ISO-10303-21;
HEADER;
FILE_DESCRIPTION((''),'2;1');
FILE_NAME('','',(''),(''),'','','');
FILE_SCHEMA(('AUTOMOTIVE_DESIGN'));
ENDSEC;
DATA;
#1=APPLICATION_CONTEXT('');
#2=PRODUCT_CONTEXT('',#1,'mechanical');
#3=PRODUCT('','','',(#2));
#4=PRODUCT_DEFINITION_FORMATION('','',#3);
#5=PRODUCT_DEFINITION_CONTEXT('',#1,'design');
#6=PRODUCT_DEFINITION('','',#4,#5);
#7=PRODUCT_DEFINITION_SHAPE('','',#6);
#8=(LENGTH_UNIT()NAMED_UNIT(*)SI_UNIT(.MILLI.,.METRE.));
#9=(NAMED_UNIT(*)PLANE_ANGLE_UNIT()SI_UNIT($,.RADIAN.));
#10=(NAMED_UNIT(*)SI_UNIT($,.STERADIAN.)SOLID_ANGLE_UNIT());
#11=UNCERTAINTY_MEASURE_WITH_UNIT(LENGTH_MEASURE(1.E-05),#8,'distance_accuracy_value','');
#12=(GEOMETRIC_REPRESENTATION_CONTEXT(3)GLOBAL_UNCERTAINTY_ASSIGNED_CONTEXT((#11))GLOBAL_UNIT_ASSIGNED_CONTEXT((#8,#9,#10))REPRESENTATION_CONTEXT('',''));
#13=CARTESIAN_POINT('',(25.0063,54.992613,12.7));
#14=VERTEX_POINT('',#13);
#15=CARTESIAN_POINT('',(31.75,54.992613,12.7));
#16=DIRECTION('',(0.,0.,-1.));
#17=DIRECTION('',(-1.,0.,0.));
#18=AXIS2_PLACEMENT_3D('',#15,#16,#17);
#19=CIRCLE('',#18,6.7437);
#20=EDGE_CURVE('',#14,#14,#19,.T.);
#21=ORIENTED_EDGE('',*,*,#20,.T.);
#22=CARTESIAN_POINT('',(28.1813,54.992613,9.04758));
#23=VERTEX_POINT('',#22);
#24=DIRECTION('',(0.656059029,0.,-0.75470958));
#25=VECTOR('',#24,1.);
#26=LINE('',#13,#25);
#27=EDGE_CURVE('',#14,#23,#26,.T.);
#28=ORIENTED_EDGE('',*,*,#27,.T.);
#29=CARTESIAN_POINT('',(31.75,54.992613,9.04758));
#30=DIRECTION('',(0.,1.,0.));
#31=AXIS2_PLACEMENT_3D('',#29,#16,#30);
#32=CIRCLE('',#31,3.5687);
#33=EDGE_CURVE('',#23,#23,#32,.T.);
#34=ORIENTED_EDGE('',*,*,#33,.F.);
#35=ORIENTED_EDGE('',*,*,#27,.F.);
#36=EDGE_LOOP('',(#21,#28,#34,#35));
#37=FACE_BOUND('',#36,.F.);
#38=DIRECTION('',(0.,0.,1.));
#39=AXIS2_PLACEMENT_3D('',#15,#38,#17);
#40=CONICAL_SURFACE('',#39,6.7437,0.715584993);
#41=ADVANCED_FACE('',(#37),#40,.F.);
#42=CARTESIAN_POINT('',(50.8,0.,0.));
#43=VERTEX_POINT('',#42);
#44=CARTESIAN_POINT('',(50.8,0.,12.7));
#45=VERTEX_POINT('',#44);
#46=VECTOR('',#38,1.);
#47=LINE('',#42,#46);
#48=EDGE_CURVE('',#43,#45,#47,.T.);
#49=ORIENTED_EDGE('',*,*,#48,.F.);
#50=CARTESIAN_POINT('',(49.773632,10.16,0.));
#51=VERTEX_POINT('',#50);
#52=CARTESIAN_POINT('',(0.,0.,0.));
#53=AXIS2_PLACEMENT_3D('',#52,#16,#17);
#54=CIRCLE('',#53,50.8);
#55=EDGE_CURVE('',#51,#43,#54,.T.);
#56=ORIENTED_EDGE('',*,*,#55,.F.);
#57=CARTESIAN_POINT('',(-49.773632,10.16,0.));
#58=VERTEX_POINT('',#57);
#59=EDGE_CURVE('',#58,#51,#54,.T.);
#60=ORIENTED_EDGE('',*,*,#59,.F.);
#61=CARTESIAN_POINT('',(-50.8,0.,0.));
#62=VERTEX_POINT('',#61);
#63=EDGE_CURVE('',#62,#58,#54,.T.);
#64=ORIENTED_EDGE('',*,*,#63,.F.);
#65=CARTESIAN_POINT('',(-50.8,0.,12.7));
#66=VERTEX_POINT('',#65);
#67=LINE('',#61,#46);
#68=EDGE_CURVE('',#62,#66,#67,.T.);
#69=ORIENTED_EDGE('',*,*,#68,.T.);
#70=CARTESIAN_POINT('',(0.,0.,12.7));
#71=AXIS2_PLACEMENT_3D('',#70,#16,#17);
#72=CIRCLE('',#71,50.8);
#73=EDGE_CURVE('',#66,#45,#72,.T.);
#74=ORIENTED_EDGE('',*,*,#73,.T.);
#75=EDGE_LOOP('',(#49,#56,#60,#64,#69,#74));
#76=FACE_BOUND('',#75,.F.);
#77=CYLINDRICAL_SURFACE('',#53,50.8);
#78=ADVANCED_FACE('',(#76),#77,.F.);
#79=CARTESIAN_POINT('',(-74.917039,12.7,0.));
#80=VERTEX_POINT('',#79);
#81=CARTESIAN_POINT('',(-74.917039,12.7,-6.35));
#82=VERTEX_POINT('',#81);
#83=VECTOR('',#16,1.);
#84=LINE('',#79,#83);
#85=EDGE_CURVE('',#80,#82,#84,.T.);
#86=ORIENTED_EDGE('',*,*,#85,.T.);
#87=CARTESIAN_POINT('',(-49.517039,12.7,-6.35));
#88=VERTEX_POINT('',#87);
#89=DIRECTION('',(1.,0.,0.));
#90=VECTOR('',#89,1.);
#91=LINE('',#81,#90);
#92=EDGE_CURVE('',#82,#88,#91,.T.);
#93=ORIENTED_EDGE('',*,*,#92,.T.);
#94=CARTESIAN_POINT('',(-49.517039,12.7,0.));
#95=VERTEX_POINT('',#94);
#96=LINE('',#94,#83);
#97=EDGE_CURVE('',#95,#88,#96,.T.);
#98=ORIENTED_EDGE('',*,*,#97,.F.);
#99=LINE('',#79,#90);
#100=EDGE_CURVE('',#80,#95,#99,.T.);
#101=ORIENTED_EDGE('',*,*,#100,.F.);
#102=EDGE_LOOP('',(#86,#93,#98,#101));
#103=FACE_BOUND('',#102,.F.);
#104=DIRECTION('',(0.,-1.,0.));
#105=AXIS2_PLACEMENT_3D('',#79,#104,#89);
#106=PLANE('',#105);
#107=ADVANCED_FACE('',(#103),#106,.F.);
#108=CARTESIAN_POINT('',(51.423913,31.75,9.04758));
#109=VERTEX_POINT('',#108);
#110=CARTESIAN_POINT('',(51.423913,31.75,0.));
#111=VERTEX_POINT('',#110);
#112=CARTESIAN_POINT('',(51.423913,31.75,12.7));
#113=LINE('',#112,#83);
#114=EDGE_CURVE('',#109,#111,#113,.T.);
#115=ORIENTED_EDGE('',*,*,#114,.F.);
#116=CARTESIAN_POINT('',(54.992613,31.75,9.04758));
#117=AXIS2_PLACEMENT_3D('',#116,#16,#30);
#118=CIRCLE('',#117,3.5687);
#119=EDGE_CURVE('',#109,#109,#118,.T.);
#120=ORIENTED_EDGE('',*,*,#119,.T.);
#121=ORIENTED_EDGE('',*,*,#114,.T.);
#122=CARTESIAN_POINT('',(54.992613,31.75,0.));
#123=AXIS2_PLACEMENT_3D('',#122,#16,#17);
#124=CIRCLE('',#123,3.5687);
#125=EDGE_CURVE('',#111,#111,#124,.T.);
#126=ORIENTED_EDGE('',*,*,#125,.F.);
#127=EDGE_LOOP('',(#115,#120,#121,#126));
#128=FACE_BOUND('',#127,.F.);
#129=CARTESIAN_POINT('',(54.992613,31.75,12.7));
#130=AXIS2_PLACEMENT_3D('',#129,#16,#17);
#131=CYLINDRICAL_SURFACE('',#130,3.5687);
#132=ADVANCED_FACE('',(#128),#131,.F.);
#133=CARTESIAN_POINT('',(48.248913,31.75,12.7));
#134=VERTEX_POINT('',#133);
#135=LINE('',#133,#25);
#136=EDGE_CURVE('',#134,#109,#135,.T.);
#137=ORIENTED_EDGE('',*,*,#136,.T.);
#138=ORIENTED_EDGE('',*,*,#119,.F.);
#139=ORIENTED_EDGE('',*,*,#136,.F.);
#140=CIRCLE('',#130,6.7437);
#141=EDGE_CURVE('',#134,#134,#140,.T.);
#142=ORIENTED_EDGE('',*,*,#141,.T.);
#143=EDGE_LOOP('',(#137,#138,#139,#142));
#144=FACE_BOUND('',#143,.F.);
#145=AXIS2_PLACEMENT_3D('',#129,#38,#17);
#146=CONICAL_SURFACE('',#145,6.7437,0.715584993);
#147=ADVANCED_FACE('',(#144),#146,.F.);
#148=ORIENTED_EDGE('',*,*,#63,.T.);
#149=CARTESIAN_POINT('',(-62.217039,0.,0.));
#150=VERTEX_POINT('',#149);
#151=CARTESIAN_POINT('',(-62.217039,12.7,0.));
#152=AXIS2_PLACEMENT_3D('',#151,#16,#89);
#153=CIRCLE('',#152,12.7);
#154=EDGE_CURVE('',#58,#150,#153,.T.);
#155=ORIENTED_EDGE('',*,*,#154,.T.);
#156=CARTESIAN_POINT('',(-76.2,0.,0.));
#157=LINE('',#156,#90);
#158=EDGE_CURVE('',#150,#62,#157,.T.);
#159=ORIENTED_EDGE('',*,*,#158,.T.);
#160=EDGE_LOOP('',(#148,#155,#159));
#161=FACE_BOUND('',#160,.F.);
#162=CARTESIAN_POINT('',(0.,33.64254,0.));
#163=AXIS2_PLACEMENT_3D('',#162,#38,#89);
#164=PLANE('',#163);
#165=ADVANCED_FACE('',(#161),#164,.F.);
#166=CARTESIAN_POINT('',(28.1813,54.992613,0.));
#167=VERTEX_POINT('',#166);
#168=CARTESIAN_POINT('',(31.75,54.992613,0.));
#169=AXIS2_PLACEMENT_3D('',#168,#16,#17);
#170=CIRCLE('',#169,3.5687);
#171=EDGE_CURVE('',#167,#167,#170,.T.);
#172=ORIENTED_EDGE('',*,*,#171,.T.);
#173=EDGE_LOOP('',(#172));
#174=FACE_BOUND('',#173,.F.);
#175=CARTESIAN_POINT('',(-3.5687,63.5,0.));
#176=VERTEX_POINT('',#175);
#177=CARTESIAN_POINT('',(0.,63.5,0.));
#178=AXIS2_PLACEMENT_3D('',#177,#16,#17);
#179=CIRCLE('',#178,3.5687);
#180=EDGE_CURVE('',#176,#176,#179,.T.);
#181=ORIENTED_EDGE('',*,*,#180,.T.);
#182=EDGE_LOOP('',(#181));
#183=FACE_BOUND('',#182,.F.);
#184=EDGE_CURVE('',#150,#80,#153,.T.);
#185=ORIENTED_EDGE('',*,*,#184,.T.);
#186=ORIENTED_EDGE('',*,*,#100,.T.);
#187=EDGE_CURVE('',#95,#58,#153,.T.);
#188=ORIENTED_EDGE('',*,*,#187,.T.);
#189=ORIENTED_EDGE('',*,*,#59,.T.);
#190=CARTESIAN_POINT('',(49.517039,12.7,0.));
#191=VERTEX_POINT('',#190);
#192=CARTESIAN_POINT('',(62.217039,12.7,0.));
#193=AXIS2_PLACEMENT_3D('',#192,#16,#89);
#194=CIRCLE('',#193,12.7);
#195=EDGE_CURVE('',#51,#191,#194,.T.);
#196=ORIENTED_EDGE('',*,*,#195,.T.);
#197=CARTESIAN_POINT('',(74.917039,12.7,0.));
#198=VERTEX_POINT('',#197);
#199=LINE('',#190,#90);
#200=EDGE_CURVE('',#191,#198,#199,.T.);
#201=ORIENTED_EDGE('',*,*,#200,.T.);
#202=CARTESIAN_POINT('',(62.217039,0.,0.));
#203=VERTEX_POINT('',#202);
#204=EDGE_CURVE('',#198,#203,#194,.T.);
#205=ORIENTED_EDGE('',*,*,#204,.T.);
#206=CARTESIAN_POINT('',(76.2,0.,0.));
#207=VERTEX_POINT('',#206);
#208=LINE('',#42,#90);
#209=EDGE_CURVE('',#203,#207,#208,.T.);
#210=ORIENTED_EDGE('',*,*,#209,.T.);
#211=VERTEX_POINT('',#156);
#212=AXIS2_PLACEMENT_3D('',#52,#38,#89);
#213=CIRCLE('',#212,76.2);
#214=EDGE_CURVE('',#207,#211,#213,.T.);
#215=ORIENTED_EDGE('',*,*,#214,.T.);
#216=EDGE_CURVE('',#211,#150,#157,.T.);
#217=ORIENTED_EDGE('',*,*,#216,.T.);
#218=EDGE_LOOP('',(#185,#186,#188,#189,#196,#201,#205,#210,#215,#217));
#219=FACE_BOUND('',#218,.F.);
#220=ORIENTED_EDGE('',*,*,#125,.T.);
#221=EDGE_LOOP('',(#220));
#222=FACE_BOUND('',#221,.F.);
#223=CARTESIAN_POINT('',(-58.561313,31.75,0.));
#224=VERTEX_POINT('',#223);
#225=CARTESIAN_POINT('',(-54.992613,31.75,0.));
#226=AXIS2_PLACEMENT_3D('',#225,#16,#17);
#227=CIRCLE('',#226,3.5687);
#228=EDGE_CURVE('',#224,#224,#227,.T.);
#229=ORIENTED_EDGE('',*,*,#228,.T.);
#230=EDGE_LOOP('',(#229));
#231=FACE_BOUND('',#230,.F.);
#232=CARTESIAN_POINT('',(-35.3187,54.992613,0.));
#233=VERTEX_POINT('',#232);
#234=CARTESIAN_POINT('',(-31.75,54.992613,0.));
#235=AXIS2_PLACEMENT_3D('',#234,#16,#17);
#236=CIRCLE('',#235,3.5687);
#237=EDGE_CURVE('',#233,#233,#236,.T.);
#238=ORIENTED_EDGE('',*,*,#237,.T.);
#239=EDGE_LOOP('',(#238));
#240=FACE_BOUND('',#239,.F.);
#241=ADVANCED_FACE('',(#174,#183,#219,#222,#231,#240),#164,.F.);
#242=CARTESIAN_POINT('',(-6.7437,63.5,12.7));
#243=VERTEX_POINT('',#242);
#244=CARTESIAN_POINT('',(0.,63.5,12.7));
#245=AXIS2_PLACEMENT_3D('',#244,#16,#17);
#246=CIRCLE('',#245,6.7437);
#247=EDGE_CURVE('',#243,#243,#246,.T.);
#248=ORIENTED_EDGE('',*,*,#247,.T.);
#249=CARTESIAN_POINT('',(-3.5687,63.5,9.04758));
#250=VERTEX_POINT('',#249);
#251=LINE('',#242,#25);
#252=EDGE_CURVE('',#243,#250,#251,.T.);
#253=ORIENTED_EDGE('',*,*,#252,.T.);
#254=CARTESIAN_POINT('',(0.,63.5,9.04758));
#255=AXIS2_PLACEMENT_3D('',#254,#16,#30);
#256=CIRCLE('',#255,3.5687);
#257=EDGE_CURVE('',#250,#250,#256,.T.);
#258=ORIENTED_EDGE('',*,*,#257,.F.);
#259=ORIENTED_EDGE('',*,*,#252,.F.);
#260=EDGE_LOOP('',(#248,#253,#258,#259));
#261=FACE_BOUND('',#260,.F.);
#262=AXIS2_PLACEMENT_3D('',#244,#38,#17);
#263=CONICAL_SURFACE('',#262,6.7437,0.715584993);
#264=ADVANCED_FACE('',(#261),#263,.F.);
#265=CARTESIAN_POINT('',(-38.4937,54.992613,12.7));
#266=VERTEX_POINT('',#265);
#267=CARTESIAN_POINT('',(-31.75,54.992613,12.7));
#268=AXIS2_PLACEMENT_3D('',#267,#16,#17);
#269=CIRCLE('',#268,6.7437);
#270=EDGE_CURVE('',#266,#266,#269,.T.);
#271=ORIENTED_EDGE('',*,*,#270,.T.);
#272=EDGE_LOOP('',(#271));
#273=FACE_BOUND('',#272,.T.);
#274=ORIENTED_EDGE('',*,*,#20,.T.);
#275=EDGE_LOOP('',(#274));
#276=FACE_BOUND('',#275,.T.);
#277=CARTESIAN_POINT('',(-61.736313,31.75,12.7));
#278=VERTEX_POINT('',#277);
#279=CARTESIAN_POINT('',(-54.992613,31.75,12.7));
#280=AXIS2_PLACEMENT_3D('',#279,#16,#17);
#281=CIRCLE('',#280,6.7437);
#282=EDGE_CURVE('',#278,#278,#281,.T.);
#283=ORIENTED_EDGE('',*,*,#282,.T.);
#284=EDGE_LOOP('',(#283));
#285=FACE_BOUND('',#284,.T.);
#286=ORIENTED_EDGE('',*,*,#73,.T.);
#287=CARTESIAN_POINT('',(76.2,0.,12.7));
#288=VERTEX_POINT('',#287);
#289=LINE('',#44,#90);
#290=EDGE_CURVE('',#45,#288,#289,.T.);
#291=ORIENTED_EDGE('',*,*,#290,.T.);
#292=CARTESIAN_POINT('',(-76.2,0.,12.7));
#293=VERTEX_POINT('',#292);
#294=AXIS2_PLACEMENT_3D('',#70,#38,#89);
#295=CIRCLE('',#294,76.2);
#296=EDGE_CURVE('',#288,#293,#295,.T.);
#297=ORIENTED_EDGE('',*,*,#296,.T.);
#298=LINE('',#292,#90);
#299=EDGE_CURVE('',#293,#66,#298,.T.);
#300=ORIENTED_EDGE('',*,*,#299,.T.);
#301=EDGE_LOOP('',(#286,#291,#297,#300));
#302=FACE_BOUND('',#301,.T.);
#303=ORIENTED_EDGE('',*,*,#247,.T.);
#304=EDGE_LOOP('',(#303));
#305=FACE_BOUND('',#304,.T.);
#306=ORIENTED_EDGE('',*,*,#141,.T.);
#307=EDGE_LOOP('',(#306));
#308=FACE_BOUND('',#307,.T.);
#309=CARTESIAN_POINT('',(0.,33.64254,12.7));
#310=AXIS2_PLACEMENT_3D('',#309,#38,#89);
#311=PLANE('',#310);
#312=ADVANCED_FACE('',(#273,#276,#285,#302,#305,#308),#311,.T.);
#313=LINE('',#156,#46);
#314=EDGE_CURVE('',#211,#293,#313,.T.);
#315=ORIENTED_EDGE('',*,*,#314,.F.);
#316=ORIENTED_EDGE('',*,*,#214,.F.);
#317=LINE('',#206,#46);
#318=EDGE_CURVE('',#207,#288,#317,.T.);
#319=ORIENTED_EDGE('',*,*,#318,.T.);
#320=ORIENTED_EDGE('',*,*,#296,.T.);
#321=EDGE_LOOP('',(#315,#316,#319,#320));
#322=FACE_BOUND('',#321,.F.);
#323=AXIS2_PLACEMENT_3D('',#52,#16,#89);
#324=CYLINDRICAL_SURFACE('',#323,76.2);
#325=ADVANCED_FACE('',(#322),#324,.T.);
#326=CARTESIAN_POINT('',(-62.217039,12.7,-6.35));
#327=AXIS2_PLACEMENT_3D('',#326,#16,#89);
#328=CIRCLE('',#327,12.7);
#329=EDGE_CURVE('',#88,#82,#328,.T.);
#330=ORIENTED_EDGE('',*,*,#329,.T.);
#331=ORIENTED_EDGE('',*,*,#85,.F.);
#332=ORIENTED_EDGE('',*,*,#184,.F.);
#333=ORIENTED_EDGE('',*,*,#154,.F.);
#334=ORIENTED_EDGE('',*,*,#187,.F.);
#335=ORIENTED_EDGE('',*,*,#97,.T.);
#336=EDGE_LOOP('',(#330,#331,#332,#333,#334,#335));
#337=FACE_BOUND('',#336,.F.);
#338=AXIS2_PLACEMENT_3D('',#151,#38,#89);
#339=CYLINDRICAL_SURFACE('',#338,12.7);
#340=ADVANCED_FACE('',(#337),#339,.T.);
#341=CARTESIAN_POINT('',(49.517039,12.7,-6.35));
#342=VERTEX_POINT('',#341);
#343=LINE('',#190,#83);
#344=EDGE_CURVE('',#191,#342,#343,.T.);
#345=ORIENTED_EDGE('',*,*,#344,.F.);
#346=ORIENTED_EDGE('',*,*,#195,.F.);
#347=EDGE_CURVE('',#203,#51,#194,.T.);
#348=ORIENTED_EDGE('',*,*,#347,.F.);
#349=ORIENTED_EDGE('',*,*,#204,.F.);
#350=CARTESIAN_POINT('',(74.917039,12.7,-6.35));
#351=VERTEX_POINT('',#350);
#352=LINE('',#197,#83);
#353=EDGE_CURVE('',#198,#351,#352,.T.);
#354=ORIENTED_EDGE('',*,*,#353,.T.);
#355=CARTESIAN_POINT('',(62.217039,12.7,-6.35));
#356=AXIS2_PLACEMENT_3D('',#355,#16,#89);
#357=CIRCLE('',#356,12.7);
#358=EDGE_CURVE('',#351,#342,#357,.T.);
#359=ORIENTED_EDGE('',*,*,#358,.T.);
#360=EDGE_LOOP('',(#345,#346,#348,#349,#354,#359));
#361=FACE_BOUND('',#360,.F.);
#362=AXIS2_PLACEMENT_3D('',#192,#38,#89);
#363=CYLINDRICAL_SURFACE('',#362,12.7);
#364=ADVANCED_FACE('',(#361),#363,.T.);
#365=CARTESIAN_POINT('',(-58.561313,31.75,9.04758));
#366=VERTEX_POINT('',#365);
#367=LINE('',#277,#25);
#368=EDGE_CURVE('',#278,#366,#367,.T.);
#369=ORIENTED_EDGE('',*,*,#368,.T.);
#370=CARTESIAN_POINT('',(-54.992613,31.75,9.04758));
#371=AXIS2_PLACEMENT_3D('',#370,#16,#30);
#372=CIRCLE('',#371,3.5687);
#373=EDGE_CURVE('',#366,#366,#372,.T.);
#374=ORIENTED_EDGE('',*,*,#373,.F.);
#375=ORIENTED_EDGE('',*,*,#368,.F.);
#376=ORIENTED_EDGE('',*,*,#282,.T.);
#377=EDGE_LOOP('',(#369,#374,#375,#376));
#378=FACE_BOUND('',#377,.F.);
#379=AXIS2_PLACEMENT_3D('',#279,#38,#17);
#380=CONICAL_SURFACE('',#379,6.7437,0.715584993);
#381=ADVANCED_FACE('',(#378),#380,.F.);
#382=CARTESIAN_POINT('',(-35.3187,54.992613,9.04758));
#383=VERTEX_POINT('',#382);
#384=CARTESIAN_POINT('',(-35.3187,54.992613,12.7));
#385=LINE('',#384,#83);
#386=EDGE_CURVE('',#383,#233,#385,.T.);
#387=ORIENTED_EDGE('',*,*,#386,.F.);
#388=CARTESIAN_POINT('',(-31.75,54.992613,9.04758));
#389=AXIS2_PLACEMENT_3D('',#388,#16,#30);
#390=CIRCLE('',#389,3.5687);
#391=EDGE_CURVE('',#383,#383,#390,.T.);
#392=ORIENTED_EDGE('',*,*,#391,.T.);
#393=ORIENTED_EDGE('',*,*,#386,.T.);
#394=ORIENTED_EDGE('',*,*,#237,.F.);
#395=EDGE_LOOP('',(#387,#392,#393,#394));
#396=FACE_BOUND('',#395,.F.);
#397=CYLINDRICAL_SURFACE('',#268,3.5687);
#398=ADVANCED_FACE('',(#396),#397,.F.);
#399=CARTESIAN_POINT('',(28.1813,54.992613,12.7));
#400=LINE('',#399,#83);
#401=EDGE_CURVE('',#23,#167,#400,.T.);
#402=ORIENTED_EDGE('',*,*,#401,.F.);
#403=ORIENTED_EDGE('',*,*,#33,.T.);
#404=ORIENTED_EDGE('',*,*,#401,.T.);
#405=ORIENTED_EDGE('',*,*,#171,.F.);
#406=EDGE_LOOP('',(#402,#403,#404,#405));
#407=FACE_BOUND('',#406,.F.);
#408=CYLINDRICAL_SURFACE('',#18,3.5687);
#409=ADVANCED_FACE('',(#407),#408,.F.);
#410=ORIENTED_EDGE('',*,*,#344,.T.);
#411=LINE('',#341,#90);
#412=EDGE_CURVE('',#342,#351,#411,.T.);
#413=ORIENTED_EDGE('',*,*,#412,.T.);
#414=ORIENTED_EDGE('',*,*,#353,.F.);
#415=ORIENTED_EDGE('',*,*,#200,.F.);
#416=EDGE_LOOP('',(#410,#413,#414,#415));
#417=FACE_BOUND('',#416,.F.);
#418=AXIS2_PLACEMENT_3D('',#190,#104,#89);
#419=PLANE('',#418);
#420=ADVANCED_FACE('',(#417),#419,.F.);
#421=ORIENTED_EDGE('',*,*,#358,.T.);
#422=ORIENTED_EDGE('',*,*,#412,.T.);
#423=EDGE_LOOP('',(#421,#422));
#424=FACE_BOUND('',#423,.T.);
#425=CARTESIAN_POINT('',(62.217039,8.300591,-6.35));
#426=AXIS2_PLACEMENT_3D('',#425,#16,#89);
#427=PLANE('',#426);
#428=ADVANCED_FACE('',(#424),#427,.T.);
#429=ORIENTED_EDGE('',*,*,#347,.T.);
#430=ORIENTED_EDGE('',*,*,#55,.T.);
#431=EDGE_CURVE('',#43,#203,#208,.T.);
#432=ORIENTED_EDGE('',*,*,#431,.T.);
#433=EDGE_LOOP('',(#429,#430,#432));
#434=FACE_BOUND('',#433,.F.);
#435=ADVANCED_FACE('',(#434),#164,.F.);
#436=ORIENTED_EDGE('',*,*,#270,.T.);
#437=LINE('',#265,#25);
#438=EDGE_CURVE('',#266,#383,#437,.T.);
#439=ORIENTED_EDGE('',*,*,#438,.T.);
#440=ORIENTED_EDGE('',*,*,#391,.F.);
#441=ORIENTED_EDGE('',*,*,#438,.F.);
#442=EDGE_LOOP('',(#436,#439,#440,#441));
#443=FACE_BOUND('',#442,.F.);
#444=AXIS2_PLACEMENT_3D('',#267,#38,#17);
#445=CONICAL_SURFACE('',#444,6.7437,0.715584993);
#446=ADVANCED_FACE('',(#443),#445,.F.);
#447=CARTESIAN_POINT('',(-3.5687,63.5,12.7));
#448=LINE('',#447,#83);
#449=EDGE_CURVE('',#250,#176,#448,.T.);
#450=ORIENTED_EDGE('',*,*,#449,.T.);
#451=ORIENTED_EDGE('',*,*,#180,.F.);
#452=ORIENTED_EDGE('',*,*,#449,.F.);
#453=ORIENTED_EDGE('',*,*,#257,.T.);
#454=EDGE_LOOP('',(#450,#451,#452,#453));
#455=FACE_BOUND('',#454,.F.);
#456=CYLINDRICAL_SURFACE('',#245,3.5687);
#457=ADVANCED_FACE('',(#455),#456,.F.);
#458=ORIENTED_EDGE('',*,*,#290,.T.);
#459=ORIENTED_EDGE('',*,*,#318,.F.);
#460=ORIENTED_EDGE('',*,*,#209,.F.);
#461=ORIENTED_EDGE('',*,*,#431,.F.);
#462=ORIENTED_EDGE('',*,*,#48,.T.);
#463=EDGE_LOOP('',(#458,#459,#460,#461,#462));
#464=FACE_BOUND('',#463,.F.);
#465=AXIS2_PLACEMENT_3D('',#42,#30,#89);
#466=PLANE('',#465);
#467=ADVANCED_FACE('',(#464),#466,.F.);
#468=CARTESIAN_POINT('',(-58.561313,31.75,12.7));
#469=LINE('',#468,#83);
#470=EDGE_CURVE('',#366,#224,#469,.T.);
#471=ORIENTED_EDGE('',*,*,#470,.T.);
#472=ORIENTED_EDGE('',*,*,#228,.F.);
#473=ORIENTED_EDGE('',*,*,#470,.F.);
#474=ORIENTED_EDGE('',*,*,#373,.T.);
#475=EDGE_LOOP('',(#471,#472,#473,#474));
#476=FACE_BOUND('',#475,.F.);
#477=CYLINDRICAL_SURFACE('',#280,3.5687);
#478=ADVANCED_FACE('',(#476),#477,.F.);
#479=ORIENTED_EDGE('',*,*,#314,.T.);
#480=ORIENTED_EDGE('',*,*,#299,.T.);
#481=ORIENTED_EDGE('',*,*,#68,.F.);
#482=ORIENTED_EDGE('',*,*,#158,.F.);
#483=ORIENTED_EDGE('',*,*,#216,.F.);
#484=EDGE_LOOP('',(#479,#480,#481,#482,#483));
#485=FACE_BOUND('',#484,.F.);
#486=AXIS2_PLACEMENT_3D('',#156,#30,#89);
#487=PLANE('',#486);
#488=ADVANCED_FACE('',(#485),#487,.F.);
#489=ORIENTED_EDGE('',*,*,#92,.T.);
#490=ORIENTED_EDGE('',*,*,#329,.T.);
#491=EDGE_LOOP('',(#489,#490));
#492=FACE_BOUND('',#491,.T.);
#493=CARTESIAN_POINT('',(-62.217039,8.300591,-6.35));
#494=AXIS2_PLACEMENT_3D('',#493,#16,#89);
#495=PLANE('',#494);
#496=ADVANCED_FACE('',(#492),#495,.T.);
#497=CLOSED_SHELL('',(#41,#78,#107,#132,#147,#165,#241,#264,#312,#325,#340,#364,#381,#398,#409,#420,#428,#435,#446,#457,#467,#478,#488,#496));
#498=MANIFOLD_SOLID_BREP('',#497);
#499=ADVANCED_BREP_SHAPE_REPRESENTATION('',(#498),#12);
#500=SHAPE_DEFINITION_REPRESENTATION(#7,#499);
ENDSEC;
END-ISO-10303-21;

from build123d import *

# Parameters (mm, degrees)
F1_DEPTH       = 12.7
F3_DEPTH       = 6.35
F5_D           = 7.1374
F5_CSINK_D     = 13.4874
F5_CSINK_ANGLE = 82


with BuildPart() as f1:
    # F0 (on Top) → F1 (new body)
    with BuildSketch(Plane.XY):
        with BuildLine():
            Line((-76.2, 0), (-50.8, 0))
            ThreePointArc((-50.8, 0), (0, 50.8), (50.8, 0))
            Line((50.8, 0), (76.2, 0))
            ThreePointArc((76.2, 0), (0, 76.2), (-76.2, 0))
        make_face()
    extrude(amount=F1_DEPTH)

    # F2 (on face) → F3 (join)
    with BuildSketch(Plane(origin=(0, 0, 0), x_dir=(1, 0, 0), z_dir=(0, 0, -1))):
        with BuildLine():
            Line((-62.2170394667, -12.7), (-49.5170394667, -12.7))
            ThreePointArc((-49.5170394667, -12.7), (-62.2170394667, 0), (-74.9170394667, -12.7))
            Line((-74.9170394667, -12.7), (-62.2170394667, -12.7))
        make_face()
        with BuildLine():
            ThreePointArc((74.9170394667, -12.7), (62.2170394667, 0), (49.5170394667, -12.7))
            Line((49.5170394667, -12.7), (62.2170394667, -12.7))
            Line((62.2170394667, -12.7), (74.9170394667, -12.7))
        make_face()
    extrude(amount=F3_DEPTH)

    # F5 (through all)
    with Locations(Plane.XY.offset(12.7)):
        with Locations((-54.9926131403, 31.75), (-31.75, 54.9926131403), (0, 63.5), (31.75, 54.9926131403), (54.9926131403, 31.75)):
            CounterSinkHole(F5_D / 2, F5_CSINK_D / 2, counter_sink_angle=F5_CSINK_ANGLE)


solid = f1.part
